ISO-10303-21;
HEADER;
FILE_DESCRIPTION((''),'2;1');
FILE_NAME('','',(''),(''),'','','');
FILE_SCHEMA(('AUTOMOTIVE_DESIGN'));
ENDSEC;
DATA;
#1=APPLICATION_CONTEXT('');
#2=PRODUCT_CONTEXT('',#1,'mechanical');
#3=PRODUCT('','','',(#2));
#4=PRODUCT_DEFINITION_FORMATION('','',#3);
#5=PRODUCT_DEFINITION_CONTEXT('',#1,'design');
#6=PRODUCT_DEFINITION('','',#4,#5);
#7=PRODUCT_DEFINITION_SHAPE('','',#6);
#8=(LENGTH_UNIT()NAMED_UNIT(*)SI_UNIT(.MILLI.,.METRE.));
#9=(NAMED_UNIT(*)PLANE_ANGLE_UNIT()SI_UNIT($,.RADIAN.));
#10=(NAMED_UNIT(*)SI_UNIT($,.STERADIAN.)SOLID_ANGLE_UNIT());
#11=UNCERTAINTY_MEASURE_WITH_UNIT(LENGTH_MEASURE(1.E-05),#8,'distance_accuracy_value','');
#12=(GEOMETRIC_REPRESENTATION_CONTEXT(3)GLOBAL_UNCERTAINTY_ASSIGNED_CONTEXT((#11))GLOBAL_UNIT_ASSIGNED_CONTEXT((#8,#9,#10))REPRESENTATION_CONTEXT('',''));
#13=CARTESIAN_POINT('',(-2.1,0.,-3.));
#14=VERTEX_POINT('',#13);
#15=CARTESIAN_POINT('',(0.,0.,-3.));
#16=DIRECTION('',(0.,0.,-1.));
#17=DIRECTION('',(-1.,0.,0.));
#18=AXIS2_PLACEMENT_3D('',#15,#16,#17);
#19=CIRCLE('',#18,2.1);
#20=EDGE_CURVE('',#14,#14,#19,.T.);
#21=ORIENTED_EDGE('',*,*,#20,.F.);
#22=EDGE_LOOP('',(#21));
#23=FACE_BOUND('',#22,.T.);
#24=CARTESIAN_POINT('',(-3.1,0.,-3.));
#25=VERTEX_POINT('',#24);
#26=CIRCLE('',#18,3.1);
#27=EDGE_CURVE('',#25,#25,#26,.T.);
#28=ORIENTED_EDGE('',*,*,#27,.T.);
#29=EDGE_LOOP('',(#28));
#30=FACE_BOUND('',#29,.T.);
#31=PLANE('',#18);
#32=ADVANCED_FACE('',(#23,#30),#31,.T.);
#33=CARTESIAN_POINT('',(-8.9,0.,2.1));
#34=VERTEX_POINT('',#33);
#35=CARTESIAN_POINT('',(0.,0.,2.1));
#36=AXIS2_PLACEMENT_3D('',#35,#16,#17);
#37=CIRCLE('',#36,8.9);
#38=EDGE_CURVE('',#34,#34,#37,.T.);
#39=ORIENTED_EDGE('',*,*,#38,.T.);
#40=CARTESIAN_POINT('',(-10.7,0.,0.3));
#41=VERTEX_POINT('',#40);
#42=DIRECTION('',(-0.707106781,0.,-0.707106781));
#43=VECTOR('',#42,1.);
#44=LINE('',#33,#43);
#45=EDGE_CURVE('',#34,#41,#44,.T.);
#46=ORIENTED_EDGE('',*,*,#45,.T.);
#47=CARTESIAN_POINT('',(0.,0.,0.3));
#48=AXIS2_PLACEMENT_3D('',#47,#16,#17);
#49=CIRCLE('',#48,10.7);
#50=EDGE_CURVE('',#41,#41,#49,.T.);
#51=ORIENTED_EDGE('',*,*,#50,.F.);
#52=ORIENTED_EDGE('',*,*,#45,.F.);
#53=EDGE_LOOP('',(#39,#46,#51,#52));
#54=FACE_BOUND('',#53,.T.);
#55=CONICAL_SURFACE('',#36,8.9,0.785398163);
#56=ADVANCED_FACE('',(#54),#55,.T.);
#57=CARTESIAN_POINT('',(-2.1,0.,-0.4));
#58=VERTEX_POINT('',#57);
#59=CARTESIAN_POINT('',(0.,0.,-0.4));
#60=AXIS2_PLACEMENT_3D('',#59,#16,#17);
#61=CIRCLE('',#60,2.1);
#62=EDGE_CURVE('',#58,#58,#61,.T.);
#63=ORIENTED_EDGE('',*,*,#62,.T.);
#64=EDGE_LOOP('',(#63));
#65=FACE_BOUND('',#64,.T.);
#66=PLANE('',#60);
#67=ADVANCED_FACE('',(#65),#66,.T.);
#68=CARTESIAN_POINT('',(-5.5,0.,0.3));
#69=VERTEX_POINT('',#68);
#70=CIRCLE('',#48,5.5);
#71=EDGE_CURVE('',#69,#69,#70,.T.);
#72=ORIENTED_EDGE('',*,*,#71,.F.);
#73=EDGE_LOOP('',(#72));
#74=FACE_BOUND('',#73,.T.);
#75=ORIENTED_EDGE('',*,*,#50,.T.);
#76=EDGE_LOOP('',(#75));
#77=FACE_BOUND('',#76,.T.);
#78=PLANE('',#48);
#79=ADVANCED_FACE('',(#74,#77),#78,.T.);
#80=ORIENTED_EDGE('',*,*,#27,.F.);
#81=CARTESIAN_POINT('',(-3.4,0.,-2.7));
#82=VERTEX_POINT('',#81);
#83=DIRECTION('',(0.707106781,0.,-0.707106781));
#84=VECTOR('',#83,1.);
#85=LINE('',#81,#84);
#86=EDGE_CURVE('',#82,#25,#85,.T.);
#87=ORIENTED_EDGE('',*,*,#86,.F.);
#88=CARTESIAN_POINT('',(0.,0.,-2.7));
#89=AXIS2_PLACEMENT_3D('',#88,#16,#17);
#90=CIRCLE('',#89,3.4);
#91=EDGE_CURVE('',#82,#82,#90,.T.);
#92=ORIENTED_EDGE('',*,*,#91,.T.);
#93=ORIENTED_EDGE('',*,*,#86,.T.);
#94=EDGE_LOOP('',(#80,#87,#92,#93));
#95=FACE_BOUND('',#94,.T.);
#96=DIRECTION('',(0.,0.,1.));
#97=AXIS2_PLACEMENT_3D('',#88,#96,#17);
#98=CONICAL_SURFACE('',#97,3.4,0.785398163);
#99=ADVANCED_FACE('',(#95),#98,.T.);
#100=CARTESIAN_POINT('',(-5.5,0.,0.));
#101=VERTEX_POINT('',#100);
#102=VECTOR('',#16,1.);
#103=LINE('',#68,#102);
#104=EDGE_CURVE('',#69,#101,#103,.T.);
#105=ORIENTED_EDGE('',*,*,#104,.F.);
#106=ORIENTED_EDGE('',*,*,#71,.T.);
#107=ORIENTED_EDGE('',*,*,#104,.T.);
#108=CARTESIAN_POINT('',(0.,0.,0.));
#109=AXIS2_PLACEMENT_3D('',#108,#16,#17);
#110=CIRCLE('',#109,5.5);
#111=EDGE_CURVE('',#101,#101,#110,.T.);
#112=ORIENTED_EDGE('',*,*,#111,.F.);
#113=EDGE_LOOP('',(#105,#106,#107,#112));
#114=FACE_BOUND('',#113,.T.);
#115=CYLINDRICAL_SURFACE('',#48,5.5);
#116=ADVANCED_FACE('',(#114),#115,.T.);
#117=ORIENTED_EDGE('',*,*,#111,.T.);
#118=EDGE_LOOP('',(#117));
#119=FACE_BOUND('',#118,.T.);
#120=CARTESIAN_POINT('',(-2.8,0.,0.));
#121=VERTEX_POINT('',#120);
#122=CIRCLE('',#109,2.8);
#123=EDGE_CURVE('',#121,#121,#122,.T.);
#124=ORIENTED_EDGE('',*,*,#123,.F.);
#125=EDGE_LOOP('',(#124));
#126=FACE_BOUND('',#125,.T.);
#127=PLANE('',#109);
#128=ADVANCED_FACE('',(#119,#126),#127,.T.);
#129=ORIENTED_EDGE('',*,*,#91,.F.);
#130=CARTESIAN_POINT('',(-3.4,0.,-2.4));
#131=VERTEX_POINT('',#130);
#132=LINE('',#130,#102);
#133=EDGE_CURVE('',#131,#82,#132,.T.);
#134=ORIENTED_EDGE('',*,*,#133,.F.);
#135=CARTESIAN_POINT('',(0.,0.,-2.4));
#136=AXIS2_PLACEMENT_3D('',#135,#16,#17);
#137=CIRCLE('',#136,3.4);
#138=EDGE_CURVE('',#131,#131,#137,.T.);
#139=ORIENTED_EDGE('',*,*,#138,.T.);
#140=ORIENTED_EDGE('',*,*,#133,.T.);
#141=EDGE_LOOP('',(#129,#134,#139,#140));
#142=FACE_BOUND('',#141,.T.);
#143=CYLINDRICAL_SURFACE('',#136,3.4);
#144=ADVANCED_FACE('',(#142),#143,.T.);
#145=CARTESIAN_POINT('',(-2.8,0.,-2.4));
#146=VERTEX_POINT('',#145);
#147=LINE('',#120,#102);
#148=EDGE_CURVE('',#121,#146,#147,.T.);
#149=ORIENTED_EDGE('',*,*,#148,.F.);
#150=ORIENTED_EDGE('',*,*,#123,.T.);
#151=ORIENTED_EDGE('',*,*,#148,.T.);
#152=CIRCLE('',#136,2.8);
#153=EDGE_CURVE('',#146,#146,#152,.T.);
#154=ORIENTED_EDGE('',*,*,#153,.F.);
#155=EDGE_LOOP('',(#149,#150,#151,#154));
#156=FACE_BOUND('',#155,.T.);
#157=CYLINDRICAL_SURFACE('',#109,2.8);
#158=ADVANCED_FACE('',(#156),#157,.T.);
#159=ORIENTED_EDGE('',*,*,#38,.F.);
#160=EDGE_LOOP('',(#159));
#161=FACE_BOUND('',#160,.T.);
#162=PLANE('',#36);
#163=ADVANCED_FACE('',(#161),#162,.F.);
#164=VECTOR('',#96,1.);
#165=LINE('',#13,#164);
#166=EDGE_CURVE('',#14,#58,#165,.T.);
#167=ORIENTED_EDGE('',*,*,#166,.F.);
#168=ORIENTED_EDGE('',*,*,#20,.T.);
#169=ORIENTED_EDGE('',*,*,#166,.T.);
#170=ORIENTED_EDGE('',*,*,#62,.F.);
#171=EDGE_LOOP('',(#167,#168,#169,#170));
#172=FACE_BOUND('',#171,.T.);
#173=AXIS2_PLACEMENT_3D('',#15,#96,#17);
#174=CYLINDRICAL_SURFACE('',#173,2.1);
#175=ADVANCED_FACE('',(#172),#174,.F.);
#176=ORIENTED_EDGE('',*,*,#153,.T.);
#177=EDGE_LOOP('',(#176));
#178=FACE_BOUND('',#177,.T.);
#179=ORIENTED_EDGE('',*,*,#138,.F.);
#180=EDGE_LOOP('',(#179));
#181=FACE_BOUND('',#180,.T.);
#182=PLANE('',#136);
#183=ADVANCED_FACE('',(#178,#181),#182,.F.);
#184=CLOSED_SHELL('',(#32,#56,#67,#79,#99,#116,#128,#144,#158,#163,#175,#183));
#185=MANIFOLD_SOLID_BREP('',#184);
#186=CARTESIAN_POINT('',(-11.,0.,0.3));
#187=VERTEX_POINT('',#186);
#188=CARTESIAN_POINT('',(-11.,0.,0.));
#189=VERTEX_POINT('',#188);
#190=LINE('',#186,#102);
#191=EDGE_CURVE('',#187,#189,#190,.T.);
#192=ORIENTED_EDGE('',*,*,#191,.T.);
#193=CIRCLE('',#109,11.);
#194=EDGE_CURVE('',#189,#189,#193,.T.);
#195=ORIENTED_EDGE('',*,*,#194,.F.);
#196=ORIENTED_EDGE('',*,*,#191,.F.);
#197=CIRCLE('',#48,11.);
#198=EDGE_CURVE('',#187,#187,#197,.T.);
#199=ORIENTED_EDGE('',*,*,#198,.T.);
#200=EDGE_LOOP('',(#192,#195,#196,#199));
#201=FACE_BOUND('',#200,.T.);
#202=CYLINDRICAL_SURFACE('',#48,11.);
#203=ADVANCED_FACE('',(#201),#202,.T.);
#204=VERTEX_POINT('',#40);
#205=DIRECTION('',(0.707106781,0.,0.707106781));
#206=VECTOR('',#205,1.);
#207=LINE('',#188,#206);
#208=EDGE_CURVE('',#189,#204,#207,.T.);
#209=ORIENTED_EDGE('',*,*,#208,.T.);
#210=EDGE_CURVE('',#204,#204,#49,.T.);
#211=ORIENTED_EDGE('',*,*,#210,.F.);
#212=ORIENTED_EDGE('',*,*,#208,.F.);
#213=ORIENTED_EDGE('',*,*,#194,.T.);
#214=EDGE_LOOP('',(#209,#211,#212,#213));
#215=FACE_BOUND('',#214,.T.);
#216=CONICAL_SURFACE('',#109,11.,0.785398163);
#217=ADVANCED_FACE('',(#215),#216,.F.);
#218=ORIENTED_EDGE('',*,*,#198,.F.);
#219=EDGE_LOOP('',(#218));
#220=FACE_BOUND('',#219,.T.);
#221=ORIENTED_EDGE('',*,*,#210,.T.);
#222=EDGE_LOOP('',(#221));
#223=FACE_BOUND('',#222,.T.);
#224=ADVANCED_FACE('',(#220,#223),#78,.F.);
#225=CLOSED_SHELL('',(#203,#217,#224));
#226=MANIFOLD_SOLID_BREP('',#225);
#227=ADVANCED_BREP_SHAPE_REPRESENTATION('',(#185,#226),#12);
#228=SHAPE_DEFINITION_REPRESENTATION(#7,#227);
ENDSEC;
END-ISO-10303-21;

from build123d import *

# Parameters (mm, degrees)
F2_SIZE = 0.3


with BuildPart() as f1:
    # F0 (on Front) → F1 (revolve)
    with BuildSketch(Plane.XZ):
        Polygon((-11, 0), (-10.7, 0.3), (-11, 0.3), align=None)
        Polygon((-5.5, 0), (-2.8, 0), (-2.8, -2.4), (-3.4, -2.4), (-3.4, -3), (-2.1, -3), (-2.1, -0.4), (0, -0.4), (0, 2.1), (-8.9, 2.1), (-10.7, 0.3), (-5.5, 0.3), align=None)
    revolve(axis=Axis((0, 0, -0.4979), (0, 0, -1)))

    # F2
    f2_edges = [f1.edges().sort_by_distance(p)[0] for p in [
        (3.4, 0, -3),
    ]]
    chamfer(f2_edges, length=F2_SIZE)


solid = f1.part
